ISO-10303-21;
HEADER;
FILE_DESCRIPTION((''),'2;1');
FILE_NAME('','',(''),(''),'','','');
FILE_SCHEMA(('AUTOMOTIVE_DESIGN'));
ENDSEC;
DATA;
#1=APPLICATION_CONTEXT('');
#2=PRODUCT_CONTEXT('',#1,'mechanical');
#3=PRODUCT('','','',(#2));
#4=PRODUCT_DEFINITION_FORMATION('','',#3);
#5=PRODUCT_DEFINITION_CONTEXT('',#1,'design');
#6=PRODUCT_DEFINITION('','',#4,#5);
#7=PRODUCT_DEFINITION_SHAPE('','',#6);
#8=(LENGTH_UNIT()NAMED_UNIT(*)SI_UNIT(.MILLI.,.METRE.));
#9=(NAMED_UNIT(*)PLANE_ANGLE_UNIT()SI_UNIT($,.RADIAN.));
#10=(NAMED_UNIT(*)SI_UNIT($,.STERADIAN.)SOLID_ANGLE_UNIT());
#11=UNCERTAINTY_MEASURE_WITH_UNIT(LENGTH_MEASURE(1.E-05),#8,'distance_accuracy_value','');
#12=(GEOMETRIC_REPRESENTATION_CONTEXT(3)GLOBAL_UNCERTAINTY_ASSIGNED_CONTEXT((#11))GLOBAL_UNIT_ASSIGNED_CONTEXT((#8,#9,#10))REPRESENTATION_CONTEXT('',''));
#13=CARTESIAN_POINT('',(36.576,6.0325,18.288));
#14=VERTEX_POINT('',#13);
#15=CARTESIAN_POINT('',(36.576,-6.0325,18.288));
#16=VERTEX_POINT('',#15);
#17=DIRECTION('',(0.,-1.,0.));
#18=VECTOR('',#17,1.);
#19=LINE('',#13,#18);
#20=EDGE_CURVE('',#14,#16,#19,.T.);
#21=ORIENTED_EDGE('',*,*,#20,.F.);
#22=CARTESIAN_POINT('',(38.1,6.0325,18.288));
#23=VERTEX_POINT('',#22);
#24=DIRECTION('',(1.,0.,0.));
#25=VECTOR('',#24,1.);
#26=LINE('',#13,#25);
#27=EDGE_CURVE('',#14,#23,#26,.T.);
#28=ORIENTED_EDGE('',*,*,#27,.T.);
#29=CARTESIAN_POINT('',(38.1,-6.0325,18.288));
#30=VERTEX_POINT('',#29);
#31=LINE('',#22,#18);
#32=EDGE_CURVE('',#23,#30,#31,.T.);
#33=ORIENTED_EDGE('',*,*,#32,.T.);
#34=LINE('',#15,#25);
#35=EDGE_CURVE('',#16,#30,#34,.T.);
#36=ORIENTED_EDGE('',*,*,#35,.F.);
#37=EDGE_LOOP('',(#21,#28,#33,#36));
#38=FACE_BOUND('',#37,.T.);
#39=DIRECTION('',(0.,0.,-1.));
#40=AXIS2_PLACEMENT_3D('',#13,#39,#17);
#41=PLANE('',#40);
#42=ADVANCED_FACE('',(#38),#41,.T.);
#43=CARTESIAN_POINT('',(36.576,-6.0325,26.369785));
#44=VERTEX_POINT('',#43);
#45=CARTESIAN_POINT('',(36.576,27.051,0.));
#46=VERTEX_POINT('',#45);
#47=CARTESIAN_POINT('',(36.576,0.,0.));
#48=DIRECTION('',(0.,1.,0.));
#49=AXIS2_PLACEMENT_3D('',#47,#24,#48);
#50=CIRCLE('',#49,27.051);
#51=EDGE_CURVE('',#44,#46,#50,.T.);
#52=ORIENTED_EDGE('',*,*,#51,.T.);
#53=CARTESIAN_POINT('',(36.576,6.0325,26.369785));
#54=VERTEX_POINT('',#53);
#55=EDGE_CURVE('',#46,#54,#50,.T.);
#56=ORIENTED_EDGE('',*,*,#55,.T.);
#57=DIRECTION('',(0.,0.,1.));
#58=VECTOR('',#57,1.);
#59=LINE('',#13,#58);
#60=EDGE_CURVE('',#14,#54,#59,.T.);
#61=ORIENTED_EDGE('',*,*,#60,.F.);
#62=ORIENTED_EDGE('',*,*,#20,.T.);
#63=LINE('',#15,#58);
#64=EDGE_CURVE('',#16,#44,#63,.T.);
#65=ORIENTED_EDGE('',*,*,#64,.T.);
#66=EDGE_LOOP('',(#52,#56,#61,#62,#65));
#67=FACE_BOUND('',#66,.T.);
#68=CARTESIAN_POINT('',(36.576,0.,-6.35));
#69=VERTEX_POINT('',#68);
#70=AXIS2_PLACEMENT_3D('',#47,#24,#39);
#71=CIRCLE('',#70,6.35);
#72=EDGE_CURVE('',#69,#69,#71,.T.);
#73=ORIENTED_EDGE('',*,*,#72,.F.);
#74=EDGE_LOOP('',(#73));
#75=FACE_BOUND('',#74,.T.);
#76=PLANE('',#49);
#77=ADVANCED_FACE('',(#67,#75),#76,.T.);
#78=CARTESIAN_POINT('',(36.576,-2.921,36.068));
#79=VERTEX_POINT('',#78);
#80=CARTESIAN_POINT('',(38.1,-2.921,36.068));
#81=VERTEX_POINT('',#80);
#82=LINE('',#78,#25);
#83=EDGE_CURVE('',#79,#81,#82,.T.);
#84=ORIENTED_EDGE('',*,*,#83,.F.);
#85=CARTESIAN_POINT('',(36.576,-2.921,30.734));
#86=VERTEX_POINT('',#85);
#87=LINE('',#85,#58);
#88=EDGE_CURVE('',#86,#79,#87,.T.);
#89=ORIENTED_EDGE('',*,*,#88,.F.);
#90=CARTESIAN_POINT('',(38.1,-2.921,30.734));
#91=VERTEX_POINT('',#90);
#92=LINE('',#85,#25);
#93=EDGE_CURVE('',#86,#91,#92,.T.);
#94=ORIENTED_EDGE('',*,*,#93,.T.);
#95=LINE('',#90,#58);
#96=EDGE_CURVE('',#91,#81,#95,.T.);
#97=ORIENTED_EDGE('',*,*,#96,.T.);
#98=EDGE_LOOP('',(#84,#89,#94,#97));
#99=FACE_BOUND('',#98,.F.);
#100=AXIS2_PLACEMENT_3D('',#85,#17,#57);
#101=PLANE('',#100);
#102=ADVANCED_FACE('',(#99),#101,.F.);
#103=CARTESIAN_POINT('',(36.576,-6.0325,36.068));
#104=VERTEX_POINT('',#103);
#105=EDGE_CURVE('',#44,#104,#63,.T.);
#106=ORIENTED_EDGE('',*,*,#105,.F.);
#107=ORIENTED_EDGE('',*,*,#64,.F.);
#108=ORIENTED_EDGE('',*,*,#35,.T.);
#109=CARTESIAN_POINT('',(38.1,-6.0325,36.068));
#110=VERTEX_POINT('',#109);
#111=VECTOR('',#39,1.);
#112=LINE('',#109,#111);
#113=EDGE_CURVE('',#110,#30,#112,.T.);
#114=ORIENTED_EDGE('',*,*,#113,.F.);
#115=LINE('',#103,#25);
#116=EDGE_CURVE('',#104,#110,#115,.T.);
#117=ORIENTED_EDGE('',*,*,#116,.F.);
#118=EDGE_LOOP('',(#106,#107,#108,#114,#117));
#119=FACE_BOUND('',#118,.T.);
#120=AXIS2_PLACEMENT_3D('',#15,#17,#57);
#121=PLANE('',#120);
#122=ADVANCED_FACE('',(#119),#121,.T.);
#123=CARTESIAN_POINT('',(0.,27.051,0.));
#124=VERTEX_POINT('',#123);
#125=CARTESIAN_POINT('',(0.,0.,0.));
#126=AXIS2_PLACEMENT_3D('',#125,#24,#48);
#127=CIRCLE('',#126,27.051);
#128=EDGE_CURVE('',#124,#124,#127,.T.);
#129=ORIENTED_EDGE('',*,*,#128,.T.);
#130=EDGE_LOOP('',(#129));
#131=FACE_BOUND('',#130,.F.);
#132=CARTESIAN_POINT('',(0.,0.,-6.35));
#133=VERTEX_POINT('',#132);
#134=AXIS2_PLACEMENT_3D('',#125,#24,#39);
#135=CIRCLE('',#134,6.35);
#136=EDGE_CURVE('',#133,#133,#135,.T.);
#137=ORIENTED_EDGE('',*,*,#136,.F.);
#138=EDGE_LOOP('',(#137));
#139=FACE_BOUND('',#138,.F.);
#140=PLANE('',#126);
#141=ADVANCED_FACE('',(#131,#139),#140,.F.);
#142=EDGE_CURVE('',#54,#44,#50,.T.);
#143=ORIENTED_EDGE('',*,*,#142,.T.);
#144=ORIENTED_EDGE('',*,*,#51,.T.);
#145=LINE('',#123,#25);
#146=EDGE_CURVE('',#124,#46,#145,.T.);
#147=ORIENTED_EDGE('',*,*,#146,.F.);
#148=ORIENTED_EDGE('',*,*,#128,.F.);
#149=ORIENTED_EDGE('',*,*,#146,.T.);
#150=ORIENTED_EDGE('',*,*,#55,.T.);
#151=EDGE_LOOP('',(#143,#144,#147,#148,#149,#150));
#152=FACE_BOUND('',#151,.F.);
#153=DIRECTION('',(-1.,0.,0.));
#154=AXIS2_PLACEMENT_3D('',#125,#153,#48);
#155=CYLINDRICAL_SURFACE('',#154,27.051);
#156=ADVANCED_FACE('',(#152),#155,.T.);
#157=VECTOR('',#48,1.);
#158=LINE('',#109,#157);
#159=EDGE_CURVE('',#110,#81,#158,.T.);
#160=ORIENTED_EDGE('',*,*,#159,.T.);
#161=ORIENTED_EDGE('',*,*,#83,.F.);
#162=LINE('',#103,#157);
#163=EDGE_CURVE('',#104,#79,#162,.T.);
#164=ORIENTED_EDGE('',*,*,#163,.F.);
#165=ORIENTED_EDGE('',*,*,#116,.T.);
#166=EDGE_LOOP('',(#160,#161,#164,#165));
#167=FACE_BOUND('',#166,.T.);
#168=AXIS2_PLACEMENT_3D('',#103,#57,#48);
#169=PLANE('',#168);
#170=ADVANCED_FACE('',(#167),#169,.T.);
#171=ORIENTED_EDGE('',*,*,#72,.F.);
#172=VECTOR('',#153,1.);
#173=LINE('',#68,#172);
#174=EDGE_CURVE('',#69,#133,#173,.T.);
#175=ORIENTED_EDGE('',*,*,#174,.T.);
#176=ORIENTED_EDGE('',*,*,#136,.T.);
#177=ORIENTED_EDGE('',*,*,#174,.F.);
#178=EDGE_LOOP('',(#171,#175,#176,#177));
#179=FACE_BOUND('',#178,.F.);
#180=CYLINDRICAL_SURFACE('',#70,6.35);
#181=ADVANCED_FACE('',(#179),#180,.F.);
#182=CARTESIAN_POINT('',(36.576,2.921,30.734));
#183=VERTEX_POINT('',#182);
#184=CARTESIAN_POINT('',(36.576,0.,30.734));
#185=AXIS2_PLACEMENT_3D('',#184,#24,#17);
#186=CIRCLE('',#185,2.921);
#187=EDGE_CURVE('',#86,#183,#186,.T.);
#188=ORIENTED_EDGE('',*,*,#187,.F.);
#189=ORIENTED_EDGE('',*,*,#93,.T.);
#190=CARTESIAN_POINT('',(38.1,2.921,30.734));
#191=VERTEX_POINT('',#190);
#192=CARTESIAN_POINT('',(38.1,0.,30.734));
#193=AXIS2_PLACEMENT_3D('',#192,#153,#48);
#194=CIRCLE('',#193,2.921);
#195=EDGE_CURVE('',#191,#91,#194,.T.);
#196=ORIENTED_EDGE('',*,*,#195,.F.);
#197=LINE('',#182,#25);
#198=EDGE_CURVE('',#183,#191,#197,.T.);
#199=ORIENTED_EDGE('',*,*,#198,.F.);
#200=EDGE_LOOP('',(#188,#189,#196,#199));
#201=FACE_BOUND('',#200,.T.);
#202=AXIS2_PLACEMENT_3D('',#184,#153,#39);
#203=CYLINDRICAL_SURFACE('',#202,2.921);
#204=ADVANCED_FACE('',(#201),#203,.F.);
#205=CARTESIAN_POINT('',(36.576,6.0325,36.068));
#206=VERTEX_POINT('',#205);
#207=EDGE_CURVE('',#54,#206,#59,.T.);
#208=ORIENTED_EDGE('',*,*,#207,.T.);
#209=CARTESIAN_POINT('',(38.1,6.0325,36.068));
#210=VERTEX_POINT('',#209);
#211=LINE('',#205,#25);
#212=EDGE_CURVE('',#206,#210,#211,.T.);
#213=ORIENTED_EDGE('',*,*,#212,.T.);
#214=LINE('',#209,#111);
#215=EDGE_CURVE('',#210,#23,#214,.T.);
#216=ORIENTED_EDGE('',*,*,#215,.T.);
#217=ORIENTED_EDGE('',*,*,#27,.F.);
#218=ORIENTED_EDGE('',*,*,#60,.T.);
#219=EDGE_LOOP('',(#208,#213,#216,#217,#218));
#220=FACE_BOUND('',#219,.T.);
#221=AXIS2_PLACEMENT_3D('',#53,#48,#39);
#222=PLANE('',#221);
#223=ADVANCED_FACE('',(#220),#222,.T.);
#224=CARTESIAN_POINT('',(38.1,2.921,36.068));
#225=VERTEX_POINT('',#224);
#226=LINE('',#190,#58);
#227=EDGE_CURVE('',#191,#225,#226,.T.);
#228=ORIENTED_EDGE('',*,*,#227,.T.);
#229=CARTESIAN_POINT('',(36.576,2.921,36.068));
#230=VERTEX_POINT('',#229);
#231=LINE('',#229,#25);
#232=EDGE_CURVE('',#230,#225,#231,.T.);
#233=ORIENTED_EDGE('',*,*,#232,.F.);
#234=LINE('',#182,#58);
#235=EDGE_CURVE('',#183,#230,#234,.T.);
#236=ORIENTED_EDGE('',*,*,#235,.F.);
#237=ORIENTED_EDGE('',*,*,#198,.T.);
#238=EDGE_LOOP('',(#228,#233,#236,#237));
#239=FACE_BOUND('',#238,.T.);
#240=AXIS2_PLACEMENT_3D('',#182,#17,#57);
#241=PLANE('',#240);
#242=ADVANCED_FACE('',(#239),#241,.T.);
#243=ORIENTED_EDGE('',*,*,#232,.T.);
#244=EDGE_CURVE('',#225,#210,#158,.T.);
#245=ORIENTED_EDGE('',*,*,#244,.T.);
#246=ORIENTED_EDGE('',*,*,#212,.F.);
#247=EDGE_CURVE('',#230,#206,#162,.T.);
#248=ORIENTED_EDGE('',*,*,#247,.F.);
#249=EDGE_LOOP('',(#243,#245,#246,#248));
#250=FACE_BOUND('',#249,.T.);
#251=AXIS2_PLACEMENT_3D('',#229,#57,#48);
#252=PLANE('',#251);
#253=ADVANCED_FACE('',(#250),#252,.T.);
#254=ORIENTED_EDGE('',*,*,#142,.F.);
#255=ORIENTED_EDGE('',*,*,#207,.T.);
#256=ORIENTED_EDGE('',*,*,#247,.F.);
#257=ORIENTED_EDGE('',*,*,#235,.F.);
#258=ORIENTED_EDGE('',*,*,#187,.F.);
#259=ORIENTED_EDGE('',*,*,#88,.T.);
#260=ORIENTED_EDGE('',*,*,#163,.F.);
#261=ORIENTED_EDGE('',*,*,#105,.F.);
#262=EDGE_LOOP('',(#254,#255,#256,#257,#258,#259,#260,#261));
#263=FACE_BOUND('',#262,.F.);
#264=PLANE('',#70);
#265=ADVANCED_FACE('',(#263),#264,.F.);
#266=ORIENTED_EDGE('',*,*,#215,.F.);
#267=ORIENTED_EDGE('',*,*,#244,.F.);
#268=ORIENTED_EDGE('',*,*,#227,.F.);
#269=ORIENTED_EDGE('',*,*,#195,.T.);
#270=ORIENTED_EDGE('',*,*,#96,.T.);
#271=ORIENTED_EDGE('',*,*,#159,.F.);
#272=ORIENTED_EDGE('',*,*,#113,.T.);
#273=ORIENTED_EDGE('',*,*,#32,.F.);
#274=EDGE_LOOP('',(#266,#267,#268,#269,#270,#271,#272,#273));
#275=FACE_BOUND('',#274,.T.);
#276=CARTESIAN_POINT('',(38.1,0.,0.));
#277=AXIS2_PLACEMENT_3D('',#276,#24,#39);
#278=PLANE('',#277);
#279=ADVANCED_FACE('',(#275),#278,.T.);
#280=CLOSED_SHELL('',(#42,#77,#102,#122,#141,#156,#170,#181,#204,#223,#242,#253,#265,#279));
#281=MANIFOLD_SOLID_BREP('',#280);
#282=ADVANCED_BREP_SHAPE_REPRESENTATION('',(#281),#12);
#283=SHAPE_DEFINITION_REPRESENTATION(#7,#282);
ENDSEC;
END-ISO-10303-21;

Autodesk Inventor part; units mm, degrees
ref_plane "YZ Plane" through (0, 0, 0) normal (1, 0, 0) x (0, 1, 0)
ref_plane "XZ Plane" through (0, 0, 0) normal (0, 1, 0) x (-1, 0, 0)
ref_plane "XY Plane" through (0, 0, 0) normal (0, 0, 1) x (1, 0, 0)
sketch "Sketch1" plane through (0, 0, 0) normal (1, 0, 0) x (0, 1, 0)
  circle A0 centre (0, 0) radius 27.051
  dimension "d0" = 54.102
extrude "Extrusion1" add sketch "Sketch1" along normal blind 36.576
sketch "Sketch2" plane through (36.576, 0, 0) normal (1, 0, 0) x (0, 0, -1)
  circle A0 centre (0, 0) radius 6.35
  dimension "d3" = 12.7
extrude "Extrusion2" cut sketch "Sketch2" against normal through all
sketch "Sketch3" plane through (36.576, 0, 0) normal (1, 0, 0) x (0, 0, -1)
  circle A0 centre (0, 0) radius 6.35 projected
  circle A1 centre (0, 0) radius 27.051 projected
  line L0 (0, 0) -> (-36.068, 0) construction
  line L1 (-18.288, -6.0325) -> (-36.068, -6.0325)
  line L2 (-36.068, -6.0325) -> (-36.068, 6.0325)
  line L3 (-36.068, 6.0325) -> (-18.288, 6.0325)
  line L4 (-18.288, 6.0325) -> (-18.288, -6.0325)
  line L5 (-18.288, -6.0325) -> (-36.068, 6.0325) construction
  line L6 (-36.068, -6.0325) -> (-18.288, 6.0325) construction
  circle A2 centre (-30.734, 0) radius 2.921
  line L7 (-30.734, 2.921) -> (-36.068, 2.921)
  line L8 (-30.734, -2.921) -> (-36.068, -2.921)
  point P0 (-27.178, 0)
  dimension "d6" = 27.178
  dimension "d7" = 12.065
  dimension "d8" = 17.78
  dimension "d9" = 5.842
  dimension "d10" = 5.334
extrude "Extrusion3" add sketch "Sketch3" along normal blind 1.524 contours L3 L4 L1 A1 | A1 L1 L2 L8 A2 L7 L3 picked at (-21.1837, 0.6753)
properties part number "SlipRing"
